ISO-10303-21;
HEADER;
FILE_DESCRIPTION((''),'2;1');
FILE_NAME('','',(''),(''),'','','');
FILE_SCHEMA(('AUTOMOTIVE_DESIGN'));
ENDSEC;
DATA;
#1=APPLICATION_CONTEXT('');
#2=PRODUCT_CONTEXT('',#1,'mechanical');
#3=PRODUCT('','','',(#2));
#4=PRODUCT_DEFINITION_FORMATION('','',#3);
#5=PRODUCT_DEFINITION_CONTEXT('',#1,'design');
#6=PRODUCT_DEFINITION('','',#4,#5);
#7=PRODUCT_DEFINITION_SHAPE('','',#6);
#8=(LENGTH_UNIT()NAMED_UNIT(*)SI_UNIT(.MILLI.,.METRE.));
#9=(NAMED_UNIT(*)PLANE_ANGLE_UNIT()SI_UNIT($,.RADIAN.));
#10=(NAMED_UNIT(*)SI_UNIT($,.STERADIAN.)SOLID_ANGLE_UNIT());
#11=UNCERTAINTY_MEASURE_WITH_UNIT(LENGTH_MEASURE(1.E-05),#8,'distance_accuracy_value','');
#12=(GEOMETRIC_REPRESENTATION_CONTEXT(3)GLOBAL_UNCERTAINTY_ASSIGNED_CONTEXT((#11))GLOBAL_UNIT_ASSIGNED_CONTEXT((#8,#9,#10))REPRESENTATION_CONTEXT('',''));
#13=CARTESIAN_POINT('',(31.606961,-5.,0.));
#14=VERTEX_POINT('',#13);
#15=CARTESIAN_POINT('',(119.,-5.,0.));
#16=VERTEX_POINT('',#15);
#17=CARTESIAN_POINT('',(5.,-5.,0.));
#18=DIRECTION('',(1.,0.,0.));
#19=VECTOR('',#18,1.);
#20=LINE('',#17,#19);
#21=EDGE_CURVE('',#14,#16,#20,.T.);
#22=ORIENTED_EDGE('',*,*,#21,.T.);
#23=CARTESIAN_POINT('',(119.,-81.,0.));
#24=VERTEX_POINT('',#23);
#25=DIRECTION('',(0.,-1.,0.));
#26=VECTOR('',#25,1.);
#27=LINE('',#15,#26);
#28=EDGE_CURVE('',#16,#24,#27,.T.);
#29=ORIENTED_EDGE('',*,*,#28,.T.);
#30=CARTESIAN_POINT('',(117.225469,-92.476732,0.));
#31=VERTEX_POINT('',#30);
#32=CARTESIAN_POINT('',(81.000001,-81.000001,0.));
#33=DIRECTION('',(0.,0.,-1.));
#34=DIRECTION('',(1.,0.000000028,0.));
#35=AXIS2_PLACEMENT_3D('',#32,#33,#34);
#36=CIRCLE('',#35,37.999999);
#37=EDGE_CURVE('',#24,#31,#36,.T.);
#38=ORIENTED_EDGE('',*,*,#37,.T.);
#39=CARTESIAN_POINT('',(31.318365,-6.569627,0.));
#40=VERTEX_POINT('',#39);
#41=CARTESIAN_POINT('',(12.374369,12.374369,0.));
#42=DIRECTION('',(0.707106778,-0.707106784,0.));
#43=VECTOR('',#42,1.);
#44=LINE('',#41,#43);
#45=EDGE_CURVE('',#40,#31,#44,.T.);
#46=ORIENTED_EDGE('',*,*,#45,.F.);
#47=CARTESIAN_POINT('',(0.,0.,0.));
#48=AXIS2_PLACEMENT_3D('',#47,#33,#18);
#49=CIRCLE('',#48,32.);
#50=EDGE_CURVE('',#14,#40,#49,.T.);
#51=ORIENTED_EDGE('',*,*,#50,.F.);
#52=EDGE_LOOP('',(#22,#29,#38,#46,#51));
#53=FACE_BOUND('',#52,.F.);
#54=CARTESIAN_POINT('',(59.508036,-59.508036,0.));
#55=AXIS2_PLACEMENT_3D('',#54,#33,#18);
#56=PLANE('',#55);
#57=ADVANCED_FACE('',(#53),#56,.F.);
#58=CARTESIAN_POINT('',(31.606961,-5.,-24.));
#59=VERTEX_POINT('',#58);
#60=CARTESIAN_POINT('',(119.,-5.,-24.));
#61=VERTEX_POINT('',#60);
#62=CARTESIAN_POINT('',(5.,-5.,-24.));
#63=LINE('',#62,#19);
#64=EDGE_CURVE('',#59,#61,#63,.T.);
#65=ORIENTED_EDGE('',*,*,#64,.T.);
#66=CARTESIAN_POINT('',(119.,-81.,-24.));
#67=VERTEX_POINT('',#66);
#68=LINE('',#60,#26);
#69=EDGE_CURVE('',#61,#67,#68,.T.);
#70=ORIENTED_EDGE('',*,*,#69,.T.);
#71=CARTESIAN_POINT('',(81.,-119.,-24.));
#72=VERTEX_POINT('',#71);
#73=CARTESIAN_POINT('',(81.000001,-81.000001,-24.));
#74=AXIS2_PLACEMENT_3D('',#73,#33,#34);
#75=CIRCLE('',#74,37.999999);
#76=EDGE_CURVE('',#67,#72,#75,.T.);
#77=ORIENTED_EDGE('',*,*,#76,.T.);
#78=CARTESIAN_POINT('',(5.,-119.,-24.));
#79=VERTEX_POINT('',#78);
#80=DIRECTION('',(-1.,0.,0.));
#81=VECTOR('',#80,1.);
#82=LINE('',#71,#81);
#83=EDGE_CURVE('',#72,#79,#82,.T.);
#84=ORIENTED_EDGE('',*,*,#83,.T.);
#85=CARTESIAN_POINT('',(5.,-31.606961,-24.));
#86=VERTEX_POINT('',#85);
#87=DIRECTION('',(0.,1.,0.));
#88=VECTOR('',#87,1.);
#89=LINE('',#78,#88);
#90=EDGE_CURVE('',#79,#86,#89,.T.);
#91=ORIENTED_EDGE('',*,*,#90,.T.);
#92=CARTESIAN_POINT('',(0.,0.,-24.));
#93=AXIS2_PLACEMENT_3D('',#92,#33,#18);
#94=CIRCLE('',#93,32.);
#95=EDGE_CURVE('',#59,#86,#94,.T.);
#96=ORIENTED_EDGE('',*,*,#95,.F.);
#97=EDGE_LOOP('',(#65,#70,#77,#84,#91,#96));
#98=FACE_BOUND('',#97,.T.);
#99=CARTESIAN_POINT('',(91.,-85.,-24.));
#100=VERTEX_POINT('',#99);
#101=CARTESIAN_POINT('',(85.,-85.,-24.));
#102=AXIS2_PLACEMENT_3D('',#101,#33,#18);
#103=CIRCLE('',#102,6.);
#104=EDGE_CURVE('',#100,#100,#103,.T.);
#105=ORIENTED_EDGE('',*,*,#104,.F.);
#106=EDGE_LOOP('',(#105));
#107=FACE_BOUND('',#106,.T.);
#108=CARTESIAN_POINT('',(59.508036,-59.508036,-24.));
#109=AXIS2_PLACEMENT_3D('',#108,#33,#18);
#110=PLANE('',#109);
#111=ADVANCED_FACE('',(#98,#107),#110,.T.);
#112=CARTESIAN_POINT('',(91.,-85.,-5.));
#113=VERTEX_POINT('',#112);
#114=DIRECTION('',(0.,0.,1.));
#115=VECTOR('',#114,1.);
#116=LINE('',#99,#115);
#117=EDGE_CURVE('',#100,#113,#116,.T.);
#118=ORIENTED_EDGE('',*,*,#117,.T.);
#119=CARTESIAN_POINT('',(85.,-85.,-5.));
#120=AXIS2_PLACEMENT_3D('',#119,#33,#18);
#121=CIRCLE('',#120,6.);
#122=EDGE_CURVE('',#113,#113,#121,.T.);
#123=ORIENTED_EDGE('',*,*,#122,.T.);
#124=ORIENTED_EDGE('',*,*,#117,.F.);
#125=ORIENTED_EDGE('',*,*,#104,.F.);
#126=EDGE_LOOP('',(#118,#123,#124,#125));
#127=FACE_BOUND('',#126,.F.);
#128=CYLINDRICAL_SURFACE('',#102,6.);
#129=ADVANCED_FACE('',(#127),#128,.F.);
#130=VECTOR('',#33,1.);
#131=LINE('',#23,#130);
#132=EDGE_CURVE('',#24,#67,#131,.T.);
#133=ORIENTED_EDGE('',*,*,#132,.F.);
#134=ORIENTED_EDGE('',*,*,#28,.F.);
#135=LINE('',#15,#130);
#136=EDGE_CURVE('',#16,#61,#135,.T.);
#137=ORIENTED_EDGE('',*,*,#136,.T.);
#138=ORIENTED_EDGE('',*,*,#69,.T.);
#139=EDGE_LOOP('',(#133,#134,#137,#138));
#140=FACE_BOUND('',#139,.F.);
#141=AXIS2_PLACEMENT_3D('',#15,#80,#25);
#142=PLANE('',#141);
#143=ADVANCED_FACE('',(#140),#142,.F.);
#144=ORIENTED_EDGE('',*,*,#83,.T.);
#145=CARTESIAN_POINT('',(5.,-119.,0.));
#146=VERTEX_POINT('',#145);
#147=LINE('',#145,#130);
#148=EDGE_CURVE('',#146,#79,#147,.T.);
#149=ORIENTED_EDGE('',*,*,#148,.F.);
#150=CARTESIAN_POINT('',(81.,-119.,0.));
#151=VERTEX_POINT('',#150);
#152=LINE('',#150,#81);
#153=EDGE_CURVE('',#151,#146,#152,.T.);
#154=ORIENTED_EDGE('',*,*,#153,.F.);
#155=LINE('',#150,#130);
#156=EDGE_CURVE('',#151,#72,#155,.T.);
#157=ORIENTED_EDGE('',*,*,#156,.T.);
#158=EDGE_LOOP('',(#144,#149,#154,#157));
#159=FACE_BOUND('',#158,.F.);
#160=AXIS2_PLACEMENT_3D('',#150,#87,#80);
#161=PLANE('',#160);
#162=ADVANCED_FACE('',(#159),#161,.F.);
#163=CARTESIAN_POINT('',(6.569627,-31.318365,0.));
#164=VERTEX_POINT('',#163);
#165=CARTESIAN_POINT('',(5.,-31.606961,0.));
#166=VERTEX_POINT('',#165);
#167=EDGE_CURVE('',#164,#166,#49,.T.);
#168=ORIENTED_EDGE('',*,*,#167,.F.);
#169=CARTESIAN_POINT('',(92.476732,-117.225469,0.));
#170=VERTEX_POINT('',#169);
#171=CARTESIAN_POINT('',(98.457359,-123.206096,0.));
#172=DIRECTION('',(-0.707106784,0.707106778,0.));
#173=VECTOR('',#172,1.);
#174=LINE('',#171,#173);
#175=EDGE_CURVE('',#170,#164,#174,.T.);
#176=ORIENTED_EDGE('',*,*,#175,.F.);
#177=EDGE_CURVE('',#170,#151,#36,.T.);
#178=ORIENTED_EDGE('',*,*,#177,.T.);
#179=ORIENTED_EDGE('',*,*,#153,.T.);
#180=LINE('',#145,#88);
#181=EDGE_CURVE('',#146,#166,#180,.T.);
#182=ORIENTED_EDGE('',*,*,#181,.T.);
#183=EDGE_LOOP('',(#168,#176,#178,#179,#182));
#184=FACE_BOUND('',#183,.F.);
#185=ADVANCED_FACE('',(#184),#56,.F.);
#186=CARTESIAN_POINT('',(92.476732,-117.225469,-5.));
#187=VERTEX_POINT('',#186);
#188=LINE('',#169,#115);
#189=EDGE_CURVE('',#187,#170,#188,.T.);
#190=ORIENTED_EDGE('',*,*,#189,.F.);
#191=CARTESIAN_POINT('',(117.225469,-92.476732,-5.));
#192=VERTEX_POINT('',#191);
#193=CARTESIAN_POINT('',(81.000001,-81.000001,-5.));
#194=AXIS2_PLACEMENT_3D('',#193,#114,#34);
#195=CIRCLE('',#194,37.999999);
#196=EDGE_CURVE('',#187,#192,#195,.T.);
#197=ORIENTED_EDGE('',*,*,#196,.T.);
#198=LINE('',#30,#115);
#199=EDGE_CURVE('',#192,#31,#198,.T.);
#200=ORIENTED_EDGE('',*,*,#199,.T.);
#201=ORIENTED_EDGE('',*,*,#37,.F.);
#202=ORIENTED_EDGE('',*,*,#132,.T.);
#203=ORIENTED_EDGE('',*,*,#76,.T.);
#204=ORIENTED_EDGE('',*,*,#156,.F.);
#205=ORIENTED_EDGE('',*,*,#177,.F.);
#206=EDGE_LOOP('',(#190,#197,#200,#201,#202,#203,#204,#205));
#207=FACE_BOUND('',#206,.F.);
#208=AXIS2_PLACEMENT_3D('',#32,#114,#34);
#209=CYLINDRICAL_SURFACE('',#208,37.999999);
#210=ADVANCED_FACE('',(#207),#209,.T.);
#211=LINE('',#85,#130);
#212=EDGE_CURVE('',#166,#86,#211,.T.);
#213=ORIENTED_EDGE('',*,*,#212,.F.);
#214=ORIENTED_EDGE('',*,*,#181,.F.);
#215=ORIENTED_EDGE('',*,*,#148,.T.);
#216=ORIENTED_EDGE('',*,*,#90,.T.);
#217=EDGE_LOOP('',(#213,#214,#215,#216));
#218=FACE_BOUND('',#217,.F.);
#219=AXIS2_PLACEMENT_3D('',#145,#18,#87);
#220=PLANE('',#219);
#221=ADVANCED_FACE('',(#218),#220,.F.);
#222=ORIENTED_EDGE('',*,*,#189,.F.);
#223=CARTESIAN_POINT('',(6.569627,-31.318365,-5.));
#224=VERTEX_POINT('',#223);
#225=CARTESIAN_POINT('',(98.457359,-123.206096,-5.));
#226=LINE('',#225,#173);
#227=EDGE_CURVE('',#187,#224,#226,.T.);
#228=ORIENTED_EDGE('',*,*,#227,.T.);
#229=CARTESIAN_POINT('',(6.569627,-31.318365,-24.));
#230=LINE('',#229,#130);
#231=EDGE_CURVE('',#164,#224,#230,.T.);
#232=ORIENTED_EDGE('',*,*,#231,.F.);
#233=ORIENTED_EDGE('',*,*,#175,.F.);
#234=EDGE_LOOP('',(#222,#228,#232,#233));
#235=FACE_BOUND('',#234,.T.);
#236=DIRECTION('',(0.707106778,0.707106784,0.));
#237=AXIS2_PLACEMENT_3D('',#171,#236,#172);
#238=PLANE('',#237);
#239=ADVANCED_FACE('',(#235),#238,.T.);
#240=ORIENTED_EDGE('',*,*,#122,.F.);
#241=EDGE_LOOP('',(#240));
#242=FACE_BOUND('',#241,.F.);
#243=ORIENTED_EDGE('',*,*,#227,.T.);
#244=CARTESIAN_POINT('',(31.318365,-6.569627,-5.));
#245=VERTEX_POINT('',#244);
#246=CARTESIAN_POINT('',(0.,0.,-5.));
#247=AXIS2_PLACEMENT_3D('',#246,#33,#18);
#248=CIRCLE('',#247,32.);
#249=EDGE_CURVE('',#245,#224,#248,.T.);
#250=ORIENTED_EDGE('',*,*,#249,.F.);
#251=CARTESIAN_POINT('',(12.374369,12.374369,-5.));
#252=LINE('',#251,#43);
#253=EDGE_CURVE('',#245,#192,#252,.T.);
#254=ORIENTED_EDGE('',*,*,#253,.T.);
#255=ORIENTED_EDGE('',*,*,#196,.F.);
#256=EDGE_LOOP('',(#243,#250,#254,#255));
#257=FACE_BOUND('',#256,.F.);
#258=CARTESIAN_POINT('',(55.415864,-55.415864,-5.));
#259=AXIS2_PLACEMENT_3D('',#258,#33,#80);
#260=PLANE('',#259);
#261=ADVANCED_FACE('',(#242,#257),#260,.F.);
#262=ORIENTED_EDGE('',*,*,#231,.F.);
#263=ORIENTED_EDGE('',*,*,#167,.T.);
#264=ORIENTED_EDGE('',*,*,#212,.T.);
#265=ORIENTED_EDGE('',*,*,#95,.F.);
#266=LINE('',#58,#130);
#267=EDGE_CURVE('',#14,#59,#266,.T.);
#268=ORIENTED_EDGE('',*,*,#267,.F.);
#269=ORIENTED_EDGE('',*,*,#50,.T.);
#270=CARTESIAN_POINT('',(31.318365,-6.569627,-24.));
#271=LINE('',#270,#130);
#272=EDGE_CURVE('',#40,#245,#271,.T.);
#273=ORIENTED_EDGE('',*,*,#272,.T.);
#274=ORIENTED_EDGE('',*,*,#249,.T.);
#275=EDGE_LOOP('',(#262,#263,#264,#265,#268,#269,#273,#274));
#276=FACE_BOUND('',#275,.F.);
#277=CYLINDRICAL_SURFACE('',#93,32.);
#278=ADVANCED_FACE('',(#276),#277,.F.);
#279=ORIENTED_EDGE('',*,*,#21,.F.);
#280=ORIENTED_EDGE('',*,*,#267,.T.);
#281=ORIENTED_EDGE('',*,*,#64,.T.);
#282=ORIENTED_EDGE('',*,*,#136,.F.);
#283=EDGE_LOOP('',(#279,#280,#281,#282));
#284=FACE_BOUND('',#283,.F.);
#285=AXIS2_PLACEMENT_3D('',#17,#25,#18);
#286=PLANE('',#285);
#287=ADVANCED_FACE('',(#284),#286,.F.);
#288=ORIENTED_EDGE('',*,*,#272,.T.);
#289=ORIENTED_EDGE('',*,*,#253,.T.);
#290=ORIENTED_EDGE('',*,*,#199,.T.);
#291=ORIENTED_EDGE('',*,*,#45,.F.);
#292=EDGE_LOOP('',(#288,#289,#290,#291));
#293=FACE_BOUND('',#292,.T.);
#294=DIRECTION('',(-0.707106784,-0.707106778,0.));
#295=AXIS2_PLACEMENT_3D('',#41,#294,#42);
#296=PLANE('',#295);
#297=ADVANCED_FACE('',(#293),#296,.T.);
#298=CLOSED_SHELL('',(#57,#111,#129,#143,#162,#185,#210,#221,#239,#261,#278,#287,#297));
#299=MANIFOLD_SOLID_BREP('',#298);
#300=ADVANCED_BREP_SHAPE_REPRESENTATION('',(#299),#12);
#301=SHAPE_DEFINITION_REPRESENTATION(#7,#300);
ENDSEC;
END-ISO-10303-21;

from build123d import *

# Parameters (mm, degrees)
PAD016_DEPTH            = 24
POCKET028_DEPTH         = 5
SKETCH046_R             = 32
SKETCH046_R_2           = 6
POCKET029_DEPTH         = 24
BODY014_PLACEMENT_ANGLE = 180


with BuildPart() as part:
    # Sketch044 → Pad016 (new body)
    with BuildSketch(Plane.XY):
        with BuildLine():
            Line((5, 5), (119, 5))
            Line((119, 5), (119, 81))
            ThreePointArc((119, 81), (107.870058, 107.870058), (81, 119))
            Line((81, 119), (5, 119))
            Line((5, 119), (5, 5))
        make_face()
    extrude(amount=PAD016_DEPTH)

    # Sketch045 (on Face6 of Pad016) → Pocket028 (cut)
    with BuildSketch(Plane(origin=(0, 0, 0), x_dir=(1, 0, 0), z_dir=(0, 0, -1))):
        Polygon((12.374369, 12.374369), (123.206096, -98.457359), (98.457359, -123.206096), (-12.374369, -12.374369), (0, 0), align=None)
    extrude(amount=-POCKET028_DEPTH, mode=Mode.SUBTRACT)

    # Sketch046 (on Face6 of Pocket028) → Pocket029 (cut)
    with BuildSketch(Plane.XY.offset(24)):
        Circle(SKETCH046_R)
        with Locations((85, 85)):
            Circle(SKETCH046_R_2)
    extrude(amount=-POCKET029_DEPTH, mode=Mode.SUBTRACT)


with BuildPart() as part_1:
    # Body014 placement: moved
    add(part.part.rotate(Axis((0, 0, 0), (1, 0, 0)), BODY014_PLACEMENT_ANGLE))


solid = part_1.part
